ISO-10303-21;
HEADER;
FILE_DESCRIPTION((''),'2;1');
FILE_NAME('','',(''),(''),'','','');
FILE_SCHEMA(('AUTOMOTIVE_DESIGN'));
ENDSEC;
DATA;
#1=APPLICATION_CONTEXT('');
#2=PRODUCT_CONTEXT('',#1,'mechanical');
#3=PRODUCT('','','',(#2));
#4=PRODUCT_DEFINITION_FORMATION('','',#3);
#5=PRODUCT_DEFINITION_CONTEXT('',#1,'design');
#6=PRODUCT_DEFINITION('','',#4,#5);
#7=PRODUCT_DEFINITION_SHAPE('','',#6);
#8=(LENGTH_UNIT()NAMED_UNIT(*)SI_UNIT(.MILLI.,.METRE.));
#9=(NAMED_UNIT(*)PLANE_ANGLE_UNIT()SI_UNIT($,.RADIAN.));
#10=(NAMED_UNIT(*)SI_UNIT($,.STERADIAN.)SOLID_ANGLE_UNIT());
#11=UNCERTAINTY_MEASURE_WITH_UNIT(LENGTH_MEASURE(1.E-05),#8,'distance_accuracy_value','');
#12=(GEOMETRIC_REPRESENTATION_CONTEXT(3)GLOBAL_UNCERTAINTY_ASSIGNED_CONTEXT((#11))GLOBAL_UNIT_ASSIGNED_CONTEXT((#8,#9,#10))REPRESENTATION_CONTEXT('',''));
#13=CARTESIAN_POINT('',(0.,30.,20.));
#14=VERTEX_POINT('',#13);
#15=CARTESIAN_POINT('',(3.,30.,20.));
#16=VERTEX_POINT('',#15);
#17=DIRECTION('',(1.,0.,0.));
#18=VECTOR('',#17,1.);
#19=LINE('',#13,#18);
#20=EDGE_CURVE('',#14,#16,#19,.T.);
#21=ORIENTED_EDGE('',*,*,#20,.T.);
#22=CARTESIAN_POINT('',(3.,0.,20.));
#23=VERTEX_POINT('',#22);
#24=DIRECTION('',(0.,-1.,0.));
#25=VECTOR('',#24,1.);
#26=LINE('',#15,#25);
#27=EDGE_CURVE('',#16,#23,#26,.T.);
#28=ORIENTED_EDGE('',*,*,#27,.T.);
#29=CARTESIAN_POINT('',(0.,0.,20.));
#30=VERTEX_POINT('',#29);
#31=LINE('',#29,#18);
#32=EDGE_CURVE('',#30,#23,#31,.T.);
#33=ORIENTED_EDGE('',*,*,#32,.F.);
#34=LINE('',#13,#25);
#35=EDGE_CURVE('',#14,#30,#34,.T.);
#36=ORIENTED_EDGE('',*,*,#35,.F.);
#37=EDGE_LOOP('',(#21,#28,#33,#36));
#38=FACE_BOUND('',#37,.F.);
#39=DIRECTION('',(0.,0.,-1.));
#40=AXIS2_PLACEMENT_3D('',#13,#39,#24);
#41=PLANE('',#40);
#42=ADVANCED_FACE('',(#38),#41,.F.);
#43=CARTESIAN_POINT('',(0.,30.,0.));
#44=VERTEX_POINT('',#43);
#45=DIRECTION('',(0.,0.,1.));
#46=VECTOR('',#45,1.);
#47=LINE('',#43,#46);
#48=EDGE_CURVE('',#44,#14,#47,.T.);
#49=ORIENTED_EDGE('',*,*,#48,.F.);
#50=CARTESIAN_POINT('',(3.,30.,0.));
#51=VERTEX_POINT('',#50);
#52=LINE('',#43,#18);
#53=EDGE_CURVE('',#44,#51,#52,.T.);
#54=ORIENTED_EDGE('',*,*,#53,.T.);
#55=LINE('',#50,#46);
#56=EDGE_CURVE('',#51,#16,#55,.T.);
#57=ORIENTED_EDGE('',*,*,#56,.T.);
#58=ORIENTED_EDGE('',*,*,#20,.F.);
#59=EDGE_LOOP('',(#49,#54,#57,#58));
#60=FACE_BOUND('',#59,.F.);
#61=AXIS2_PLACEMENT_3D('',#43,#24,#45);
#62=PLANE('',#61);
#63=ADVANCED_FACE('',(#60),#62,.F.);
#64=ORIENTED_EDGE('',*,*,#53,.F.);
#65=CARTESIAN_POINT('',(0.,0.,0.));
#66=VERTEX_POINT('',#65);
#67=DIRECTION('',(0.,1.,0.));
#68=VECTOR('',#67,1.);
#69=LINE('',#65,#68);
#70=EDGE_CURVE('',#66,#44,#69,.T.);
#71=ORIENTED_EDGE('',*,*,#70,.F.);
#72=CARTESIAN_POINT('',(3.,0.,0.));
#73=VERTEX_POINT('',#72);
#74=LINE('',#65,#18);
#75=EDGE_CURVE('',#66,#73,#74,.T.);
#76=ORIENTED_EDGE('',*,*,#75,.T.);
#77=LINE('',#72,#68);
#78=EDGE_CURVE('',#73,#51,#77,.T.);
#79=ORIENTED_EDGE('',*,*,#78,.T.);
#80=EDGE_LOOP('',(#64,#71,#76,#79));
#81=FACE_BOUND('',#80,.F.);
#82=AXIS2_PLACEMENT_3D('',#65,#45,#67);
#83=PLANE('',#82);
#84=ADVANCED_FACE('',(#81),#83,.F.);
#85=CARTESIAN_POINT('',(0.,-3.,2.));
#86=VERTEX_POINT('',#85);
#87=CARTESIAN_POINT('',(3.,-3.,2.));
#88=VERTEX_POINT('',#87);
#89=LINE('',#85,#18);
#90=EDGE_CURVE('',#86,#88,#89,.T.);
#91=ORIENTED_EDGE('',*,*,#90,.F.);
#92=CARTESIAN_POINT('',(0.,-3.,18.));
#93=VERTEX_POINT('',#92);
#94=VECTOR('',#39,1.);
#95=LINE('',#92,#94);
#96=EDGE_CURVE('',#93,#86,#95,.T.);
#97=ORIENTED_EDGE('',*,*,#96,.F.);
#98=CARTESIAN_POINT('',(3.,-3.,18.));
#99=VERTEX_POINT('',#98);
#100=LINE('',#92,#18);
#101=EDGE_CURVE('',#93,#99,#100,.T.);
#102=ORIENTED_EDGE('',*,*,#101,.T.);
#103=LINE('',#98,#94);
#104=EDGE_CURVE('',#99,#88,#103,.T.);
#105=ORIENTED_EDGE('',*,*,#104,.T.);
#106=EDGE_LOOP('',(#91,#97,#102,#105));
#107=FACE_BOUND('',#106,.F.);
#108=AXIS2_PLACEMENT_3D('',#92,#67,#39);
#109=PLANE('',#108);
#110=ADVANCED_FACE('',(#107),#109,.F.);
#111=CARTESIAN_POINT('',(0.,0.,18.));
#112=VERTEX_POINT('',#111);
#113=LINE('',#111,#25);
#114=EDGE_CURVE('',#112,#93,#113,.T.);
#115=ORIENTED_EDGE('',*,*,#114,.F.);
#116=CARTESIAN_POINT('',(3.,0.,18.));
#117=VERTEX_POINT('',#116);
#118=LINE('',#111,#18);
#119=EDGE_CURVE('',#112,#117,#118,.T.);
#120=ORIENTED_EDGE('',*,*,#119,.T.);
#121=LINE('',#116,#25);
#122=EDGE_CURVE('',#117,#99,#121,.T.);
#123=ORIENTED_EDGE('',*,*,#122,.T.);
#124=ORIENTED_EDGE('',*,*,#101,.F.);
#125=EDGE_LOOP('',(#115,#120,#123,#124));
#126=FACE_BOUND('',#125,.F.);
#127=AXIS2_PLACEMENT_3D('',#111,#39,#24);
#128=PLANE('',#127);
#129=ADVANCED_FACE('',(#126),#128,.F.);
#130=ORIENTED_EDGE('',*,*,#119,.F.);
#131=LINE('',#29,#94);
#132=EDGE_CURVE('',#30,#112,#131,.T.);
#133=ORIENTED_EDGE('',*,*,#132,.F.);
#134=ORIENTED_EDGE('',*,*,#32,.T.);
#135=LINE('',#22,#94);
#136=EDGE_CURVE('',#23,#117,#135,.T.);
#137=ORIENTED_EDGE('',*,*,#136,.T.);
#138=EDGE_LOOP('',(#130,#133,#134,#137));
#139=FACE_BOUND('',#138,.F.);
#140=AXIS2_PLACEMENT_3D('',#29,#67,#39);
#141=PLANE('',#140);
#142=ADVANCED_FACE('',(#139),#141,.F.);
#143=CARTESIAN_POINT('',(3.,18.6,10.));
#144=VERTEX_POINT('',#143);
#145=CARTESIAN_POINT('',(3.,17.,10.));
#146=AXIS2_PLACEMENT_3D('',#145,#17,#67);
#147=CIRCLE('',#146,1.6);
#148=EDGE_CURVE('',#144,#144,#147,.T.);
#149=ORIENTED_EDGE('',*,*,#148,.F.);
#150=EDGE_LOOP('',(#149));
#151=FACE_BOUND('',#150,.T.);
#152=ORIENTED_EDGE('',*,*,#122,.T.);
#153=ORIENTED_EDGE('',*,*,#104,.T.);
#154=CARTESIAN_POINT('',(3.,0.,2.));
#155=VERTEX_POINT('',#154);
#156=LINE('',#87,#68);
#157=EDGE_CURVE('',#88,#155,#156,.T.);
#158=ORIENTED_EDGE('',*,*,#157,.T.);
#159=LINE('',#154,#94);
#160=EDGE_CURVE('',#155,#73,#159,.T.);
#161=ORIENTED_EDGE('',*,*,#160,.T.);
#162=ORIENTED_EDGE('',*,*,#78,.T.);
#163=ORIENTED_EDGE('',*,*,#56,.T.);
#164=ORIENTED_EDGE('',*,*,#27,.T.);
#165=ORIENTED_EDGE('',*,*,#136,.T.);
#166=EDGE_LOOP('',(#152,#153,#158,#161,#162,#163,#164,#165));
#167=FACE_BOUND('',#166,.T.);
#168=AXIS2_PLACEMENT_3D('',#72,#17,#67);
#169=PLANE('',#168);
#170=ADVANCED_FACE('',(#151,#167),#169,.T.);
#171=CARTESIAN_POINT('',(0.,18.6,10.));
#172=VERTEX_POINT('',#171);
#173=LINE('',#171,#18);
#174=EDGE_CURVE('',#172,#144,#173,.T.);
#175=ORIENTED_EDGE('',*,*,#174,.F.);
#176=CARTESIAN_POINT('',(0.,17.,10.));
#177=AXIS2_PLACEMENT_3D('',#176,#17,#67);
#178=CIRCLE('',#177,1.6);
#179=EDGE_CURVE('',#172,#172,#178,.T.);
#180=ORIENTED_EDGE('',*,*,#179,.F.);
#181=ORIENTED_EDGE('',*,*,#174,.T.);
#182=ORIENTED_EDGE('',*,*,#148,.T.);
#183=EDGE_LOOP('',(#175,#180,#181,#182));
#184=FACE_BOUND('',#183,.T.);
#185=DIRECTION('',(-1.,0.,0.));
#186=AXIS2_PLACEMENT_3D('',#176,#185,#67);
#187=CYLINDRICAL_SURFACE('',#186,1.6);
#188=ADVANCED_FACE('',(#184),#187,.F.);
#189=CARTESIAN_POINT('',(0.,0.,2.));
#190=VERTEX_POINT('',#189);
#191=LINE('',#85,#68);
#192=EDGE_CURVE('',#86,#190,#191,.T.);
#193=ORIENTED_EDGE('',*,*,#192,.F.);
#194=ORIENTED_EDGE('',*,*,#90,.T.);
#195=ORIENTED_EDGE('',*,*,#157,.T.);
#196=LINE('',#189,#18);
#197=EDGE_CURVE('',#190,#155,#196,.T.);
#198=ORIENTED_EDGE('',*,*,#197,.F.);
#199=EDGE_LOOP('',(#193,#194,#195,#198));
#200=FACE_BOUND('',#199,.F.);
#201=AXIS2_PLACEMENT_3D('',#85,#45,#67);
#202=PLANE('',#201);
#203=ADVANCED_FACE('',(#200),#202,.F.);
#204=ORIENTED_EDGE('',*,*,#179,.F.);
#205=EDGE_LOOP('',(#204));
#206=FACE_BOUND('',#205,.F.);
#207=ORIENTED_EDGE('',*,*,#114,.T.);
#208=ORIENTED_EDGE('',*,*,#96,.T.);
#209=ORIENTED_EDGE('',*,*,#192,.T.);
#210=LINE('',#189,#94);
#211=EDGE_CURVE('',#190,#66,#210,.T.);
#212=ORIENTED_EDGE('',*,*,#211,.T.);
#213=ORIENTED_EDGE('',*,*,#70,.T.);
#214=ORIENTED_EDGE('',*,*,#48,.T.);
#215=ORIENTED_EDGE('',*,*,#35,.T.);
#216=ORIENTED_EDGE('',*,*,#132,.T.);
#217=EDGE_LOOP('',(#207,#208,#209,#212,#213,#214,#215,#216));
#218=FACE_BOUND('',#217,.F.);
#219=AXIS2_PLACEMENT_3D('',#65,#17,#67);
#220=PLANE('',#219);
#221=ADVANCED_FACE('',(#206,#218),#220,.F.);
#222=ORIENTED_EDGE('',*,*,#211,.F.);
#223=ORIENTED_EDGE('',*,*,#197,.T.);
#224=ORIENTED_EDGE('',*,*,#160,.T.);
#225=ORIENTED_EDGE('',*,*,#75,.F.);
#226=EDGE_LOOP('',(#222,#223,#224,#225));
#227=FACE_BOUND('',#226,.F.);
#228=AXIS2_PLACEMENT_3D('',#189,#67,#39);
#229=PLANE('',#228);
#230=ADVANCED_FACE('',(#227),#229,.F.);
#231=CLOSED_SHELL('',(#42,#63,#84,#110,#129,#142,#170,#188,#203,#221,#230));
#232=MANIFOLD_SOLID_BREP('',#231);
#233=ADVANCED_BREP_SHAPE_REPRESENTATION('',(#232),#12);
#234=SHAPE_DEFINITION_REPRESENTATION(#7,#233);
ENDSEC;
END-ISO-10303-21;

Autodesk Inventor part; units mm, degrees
ref_plane "YZ Plane" through (0, 0, 0) normal (1, 0, 0) x (0, 1, 0)
ref_plane "XZ Plane" through (0, 0, 0) normal (0, 1, 0) x (-1, 0, 0)
ref_plane "XY Plane" through (0, 0, 0) normal (0, 0, 1) x (1, 0, 0)
sketch "Szkic1" plane through (0, 0, 0) normal (1, 0, 0) x (0, 1, 0)
  line L0 (0, 0) -> (30, 0)
  line L1 (30, 0) -> (30, 20)
  line L2 (30, 20) -> (0, 20)
  circle A0 centre (17, 10) radius 1.6
  line L3 (0, 18) -> (-3, 18)
  line L4 (-3, 18) -> (-3, 2)
  line L5 (-3, 2) -> (0, 2)
  line L6 (0, 20) -> (0, 18)
  line L7 (0, 2) -> (0, 0)
  dimension "d0" = 30
  dimension "d1" = 20
  dimension "d2" = 13
  dimension "d3" = 3.2
  dimension "d6" = 2
extrude "Wyciągnięcie proste1" add sketch "Szkic1" along normal blind 3
properties part number "Podstawa - drugie mocowanie" material "Drewno (wiśnia)"
